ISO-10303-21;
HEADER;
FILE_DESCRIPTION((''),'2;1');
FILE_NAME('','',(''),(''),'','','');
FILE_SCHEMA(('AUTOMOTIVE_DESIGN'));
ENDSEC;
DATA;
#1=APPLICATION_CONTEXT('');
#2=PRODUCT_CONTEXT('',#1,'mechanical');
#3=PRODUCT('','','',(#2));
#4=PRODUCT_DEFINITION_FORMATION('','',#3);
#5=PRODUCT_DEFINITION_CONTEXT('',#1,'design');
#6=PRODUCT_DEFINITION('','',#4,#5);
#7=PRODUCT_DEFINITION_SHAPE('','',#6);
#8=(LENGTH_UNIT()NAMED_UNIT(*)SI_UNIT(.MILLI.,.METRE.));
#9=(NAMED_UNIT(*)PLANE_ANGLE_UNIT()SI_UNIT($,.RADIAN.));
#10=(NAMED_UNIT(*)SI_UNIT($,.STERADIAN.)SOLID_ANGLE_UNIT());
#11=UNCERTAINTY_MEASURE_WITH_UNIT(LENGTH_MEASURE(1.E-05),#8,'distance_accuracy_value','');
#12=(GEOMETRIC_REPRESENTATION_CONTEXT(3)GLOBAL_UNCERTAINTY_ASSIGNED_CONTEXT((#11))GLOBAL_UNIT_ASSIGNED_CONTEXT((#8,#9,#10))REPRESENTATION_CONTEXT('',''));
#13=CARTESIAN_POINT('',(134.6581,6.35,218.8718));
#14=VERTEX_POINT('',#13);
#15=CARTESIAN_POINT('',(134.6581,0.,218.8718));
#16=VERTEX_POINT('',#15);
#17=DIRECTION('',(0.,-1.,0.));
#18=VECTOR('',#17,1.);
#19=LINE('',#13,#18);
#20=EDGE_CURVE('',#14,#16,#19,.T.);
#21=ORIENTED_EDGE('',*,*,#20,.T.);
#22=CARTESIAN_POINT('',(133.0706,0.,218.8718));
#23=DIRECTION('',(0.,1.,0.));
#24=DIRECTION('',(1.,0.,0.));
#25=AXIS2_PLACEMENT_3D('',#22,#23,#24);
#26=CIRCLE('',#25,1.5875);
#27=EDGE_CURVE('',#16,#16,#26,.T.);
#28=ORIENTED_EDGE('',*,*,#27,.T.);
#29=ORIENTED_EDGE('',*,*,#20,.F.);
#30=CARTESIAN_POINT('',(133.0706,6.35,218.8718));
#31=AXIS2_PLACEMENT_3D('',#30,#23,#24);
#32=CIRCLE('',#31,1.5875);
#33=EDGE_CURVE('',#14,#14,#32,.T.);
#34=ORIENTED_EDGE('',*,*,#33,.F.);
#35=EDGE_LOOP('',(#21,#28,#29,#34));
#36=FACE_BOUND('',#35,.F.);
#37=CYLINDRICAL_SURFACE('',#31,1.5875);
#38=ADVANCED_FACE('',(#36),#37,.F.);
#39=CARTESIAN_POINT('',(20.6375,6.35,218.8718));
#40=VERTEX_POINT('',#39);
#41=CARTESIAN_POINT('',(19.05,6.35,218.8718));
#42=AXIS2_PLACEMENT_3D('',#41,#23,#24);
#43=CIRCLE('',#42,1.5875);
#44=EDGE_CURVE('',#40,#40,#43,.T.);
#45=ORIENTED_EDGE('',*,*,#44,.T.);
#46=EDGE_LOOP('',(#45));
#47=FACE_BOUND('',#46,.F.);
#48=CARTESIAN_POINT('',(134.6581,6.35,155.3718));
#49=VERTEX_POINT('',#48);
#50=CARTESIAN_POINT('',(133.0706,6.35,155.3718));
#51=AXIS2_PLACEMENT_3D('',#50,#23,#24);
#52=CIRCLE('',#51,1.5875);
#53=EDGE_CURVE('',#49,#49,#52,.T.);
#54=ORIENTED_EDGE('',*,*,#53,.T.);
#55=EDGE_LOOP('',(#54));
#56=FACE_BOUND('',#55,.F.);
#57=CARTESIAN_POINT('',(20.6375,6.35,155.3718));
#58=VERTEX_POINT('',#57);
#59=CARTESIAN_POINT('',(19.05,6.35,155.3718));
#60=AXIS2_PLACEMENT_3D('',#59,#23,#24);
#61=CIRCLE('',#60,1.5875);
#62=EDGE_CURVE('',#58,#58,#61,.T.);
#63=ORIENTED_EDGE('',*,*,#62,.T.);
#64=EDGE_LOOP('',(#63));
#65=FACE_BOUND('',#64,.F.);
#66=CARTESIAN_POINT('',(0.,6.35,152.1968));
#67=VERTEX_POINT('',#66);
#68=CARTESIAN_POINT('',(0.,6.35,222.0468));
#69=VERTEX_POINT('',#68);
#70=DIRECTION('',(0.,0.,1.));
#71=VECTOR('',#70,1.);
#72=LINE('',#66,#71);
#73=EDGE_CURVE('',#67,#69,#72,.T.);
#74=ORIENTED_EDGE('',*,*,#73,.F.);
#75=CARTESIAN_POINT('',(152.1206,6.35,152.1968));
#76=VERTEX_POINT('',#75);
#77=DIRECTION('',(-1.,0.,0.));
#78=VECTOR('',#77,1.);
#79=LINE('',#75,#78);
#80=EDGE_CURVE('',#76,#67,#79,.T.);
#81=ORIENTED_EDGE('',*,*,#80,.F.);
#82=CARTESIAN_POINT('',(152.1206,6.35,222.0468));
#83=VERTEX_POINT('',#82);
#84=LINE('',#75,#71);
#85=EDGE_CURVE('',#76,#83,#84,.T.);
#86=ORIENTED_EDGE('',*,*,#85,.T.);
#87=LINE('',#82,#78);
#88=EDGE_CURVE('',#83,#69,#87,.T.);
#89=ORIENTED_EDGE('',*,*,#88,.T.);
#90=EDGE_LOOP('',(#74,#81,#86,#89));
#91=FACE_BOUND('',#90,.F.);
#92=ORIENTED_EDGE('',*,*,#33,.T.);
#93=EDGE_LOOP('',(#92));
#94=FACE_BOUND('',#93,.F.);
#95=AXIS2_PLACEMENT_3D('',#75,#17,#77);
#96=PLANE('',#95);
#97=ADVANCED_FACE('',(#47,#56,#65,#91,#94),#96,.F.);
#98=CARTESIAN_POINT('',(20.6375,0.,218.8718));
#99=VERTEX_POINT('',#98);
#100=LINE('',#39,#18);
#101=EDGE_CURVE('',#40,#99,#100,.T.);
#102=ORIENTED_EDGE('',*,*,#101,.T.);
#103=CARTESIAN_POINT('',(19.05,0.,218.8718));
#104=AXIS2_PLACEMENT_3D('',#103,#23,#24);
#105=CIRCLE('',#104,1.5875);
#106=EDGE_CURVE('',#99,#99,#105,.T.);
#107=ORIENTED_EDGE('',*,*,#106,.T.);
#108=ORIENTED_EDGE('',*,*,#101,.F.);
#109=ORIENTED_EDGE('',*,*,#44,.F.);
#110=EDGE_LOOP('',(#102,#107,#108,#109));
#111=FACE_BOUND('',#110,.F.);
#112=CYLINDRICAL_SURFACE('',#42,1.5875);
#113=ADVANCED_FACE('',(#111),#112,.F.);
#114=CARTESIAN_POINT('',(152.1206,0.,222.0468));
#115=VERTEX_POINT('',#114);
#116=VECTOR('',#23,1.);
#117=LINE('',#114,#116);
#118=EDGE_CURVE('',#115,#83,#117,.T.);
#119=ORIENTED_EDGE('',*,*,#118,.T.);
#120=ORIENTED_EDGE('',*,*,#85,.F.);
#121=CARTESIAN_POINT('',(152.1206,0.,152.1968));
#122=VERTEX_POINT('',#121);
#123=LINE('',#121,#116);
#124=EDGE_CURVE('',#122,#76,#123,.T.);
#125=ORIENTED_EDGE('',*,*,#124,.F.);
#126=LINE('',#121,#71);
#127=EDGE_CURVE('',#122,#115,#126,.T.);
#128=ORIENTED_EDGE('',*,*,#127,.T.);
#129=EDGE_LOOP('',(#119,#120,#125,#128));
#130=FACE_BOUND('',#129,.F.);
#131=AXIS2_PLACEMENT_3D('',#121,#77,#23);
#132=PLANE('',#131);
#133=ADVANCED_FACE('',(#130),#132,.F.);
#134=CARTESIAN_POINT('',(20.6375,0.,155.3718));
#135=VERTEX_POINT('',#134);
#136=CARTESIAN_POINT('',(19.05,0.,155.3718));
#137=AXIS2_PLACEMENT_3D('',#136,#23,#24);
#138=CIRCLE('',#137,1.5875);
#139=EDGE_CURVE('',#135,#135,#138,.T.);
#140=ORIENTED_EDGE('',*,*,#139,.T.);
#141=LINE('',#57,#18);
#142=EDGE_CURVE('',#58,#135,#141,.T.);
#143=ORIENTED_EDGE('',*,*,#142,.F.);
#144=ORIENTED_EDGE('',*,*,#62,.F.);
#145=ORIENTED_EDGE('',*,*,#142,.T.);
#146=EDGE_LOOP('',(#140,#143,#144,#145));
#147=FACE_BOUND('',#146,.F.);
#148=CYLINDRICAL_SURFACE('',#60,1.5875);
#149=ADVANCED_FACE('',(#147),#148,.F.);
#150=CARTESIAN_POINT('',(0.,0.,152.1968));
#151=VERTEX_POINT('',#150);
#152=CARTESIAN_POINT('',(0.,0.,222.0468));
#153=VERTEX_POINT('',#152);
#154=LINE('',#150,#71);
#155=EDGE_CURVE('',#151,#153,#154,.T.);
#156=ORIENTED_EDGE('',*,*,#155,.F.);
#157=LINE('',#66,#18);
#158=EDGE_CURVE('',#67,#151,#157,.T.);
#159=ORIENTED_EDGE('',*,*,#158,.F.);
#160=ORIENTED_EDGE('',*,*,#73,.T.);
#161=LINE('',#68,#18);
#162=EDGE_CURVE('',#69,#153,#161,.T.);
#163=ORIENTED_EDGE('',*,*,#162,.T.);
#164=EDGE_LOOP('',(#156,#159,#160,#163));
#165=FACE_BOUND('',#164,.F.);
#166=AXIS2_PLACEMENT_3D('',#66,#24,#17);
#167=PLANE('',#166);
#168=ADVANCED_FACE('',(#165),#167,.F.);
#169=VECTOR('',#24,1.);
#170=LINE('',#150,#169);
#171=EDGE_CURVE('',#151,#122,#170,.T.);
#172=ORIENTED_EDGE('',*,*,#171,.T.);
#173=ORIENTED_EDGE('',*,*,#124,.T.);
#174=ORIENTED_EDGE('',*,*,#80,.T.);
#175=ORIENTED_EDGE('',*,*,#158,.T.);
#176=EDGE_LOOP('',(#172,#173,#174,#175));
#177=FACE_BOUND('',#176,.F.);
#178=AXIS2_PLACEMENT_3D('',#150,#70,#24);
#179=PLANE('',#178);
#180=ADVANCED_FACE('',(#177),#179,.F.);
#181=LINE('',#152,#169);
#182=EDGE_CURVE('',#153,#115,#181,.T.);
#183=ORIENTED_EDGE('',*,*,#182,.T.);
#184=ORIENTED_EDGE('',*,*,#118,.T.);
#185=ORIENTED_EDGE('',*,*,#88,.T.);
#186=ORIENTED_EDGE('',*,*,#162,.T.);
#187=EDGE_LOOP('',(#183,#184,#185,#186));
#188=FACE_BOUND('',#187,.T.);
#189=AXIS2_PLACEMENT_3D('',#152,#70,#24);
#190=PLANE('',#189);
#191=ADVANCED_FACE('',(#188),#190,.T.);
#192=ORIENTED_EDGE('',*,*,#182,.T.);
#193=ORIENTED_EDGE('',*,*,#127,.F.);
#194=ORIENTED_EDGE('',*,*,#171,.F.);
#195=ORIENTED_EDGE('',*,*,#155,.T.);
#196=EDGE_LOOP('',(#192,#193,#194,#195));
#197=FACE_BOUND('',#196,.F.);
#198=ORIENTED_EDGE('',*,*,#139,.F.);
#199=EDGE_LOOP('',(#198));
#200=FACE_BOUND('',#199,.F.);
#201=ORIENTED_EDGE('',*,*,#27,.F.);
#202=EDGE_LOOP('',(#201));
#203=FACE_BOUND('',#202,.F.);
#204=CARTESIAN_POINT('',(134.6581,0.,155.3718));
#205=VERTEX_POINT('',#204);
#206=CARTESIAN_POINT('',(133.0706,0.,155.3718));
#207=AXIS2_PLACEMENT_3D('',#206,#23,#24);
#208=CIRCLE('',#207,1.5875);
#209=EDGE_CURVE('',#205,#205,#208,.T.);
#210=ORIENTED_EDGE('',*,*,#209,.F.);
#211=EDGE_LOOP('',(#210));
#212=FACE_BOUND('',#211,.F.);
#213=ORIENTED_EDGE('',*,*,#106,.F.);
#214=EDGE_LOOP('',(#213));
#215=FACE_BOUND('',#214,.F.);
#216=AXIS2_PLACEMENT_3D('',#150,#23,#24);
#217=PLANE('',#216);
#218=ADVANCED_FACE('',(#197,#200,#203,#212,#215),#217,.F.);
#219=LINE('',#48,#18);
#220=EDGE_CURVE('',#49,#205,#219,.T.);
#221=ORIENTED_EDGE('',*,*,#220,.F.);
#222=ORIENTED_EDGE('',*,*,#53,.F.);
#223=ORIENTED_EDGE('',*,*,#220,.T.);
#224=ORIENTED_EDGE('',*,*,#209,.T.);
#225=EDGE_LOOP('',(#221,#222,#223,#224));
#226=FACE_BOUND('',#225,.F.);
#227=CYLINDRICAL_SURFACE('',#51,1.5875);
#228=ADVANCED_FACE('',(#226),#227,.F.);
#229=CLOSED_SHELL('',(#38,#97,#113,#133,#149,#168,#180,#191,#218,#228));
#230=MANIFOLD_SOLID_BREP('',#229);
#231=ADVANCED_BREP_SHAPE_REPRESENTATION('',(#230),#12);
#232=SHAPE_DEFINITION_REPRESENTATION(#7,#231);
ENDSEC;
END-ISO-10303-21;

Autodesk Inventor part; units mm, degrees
ref_plane "YZ Plane" through (0, 0, 0) normal (1, 0, 0) x (0, 1, 0)
ref_plane "XZ Plane" through (0, 0, 0) normal (0, 1, 0) x (-1, 0, 0)
ref_plane "XY Plane" through (0, 0, 0) normal (0, 0, 1) x (1, 0, 0)
ref_plane "Work Plane1" through (0, 0, 152.1968) normal (0, 0, 1) x (1, 0, 0)
sketch "Sketch2" plane through (0, 0, 152.1968) normal (0, 0, 1) x (1, 0, 0)
  line L0 (0, 0) -> (152.1206, 0)
  line L1 (152.1206, 0) -> (152.1206, 6.35)
  line L2 (152.1206, 6.35) -> (0, 6.35)
  line L3 (0, 6.35) -> (0, 0)
  dimension "d20" = 152.1206
  dimension "d21" = 6.35
extrude "Extrusion2" add sketch "Sketch2" along normal blind 69.85
sketch "Sketch4" plane through (0, 6.35, 152.1968) normal (0, 1, 0) x (1, 0, 0)
  circle A0 centre (19.05, -3.175) radius 1.5875
  circle A1 centre (133.0706, -3.175) radius 1.5875
  circle A2 centre (133.0706, -66.675) radius 1.5875
  circle A3 centre (19.05, -66.675) radius 1.5875
  line L0 (0, 0) -> (0, -69.85) projected
  line L1 (152.1206, 0) -> (0, 0) projected
  line L2 (152.1206, 0) -> (152.1206, -69.85) projected
  line L3 (152.1206, -69.85) -> (0, -69.85) projected
  point P0 (0, 152.1968)
  dimension "d22" = 3.175
  dimension "d23" = 19.05
  dimension "d24" = 3.175
  dimension "d25" = 19.05
  dimension "d26" = 3.175
extrude "Extrusion4" cut sketch "Sketch4" against normal blind 152.1968 contours A0 | A1 | A2 | A3
properties part number "Base"
